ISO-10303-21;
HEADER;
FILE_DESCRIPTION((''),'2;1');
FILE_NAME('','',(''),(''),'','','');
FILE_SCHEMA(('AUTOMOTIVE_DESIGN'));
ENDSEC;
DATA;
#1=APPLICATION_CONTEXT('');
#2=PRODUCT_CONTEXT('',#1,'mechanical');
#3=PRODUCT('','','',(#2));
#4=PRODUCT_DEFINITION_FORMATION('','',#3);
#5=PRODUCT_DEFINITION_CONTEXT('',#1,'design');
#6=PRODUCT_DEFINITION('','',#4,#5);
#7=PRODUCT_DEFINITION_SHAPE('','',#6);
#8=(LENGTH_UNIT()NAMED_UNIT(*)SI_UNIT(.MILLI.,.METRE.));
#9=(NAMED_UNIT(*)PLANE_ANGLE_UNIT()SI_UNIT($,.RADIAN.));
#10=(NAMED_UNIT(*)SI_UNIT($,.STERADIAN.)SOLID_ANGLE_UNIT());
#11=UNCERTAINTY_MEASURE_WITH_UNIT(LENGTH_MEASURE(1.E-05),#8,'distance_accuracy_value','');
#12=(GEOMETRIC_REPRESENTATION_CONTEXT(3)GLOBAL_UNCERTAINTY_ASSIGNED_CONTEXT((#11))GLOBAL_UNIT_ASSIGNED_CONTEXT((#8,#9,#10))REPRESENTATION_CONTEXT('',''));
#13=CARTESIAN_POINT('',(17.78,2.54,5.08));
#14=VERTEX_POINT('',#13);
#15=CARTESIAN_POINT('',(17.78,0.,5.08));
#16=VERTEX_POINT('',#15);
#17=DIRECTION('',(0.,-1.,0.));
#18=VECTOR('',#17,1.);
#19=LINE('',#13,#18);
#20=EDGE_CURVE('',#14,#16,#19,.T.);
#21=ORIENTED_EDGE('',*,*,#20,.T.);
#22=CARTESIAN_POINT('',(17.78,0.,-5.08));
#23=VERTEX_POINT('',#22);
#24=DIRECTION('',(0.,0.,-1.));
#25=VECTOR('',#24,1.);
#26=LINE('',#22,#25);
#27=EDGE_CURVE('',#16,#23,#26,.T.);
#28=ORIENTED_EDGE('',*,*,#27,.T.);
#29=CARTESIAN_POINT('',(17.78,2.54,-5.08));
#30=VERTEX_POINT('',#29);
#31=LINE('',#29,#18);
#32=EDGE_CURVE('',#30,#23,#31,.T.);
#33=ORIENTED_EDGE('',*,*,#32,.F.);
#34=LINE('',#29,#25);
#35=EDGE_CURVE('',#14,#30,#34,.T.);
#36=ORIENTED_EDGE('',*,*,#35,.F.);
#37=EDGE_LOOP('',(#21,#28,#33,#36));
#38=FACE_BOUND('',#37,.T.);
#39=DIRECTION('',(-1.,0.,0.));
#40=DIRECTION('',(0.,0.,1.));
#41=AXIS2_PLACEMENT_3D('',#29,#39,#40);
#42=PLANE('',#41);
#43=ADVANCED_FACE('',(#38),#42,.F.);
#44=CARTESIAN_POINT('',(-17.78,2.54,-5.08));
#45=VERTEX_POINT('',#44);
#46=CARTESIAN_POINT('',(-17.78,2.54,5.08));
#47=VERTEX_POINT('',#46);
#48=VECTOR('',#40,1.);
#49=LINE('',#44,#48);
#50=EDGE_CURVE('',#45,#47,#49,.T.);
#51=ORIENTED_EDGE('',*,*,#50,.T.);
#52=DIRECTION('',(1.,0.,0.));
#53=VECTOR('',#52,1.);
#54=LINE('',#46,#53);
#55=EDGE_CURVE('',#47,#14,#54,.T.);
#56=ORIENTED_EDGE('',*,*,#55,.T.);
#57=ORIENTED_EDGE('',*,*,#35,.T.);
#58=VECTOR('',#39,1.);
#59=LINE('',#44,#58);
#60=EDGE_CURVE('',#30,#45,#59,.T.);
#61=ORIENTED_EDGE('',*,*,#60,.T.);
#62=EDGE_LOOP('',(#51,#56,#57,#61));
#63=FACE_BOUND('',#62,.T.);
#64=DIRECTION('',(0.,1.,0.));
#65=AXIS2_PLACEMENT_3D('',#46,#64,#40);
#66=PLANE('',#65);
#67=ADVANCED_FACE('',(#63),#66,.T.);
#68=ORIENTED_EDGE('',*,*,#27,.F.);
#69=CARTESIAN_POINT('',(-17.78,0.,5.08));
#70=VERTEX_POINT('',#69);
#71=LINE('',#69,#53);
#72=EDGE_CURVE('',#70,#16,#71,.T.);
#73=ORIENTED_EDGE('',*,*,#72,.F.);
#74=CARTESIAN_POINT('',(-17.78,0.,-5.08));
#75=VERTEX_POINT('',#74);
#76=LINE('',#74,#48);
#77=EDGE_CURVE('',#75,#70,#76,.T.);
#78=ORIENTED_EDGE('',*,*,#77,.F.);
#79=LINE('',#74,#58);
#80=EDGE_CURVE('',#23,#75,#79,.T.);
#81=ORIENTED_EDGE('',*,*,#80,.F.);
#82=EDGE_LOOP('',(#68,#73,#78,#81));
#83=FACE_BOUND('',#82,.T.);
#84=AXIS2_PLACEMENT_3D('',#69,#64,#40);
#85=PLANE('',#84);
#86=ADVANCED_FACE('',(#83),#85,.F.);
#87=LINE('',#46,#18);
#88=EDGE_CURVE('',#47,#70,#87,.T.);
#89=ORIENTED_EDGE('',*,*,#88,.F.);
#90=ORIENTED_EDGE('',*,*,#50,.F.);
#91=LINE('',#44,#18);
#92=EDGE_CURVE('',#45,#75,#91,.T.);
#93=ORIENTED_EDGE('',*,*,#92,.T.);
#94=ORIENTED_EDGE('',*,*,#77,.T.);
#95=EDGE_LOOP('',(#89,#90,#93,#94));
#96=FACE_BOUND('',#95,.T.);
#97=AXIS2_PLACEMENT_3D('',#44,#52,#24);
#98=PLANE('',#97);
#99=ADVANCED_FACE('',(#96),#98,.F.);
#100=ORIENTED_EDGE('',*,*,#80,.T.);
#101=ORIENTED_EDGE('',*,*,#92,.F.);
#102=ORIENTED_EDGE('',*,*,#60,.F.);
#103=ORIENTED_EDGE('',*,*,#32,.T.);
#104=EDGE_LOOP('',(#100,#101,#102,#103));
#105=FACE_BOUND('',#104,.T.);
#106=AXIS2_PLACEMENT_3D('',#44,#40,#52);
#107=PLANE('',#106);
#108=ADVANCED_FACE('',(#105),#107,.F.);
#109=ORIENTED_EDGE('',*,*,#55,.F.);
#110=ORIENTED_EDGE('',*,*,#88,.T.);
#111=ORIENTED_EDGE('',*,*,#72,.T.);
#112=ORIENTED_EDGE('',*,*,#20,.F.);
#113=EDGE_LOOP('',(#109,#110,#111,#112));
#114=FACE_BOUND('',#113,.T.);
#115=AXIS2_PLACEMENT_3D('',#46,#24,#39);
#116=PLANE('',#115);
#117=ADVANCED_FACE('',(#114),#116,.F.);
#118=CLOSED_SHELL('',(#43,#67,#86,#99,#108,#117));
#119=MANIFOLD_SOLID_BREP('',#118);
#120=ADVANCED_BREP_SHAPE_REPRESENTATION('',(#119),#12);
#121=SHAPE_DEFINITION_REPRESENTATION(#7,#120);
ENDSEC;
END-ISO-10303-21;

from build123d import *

# Parameters (mm, degrees)
SKETCH1_W      = 35.56
SKETCH1_H      = 10.16
EXTRUDE1_DEPTH = 2.54


with BuildPart() as part:
    # Sketch1 → Extrude1 (new body)
    with BuildSketch(Plane(origin=(0, 0, 0), x_dir=(1, 0, 0), z_dir=(0, 1, 0))):
        Rectangle(SKETCH1_W, SKETCH1_H)
    extrude(amount=EXTRUDE1_DEPTH)


solid = part.part
